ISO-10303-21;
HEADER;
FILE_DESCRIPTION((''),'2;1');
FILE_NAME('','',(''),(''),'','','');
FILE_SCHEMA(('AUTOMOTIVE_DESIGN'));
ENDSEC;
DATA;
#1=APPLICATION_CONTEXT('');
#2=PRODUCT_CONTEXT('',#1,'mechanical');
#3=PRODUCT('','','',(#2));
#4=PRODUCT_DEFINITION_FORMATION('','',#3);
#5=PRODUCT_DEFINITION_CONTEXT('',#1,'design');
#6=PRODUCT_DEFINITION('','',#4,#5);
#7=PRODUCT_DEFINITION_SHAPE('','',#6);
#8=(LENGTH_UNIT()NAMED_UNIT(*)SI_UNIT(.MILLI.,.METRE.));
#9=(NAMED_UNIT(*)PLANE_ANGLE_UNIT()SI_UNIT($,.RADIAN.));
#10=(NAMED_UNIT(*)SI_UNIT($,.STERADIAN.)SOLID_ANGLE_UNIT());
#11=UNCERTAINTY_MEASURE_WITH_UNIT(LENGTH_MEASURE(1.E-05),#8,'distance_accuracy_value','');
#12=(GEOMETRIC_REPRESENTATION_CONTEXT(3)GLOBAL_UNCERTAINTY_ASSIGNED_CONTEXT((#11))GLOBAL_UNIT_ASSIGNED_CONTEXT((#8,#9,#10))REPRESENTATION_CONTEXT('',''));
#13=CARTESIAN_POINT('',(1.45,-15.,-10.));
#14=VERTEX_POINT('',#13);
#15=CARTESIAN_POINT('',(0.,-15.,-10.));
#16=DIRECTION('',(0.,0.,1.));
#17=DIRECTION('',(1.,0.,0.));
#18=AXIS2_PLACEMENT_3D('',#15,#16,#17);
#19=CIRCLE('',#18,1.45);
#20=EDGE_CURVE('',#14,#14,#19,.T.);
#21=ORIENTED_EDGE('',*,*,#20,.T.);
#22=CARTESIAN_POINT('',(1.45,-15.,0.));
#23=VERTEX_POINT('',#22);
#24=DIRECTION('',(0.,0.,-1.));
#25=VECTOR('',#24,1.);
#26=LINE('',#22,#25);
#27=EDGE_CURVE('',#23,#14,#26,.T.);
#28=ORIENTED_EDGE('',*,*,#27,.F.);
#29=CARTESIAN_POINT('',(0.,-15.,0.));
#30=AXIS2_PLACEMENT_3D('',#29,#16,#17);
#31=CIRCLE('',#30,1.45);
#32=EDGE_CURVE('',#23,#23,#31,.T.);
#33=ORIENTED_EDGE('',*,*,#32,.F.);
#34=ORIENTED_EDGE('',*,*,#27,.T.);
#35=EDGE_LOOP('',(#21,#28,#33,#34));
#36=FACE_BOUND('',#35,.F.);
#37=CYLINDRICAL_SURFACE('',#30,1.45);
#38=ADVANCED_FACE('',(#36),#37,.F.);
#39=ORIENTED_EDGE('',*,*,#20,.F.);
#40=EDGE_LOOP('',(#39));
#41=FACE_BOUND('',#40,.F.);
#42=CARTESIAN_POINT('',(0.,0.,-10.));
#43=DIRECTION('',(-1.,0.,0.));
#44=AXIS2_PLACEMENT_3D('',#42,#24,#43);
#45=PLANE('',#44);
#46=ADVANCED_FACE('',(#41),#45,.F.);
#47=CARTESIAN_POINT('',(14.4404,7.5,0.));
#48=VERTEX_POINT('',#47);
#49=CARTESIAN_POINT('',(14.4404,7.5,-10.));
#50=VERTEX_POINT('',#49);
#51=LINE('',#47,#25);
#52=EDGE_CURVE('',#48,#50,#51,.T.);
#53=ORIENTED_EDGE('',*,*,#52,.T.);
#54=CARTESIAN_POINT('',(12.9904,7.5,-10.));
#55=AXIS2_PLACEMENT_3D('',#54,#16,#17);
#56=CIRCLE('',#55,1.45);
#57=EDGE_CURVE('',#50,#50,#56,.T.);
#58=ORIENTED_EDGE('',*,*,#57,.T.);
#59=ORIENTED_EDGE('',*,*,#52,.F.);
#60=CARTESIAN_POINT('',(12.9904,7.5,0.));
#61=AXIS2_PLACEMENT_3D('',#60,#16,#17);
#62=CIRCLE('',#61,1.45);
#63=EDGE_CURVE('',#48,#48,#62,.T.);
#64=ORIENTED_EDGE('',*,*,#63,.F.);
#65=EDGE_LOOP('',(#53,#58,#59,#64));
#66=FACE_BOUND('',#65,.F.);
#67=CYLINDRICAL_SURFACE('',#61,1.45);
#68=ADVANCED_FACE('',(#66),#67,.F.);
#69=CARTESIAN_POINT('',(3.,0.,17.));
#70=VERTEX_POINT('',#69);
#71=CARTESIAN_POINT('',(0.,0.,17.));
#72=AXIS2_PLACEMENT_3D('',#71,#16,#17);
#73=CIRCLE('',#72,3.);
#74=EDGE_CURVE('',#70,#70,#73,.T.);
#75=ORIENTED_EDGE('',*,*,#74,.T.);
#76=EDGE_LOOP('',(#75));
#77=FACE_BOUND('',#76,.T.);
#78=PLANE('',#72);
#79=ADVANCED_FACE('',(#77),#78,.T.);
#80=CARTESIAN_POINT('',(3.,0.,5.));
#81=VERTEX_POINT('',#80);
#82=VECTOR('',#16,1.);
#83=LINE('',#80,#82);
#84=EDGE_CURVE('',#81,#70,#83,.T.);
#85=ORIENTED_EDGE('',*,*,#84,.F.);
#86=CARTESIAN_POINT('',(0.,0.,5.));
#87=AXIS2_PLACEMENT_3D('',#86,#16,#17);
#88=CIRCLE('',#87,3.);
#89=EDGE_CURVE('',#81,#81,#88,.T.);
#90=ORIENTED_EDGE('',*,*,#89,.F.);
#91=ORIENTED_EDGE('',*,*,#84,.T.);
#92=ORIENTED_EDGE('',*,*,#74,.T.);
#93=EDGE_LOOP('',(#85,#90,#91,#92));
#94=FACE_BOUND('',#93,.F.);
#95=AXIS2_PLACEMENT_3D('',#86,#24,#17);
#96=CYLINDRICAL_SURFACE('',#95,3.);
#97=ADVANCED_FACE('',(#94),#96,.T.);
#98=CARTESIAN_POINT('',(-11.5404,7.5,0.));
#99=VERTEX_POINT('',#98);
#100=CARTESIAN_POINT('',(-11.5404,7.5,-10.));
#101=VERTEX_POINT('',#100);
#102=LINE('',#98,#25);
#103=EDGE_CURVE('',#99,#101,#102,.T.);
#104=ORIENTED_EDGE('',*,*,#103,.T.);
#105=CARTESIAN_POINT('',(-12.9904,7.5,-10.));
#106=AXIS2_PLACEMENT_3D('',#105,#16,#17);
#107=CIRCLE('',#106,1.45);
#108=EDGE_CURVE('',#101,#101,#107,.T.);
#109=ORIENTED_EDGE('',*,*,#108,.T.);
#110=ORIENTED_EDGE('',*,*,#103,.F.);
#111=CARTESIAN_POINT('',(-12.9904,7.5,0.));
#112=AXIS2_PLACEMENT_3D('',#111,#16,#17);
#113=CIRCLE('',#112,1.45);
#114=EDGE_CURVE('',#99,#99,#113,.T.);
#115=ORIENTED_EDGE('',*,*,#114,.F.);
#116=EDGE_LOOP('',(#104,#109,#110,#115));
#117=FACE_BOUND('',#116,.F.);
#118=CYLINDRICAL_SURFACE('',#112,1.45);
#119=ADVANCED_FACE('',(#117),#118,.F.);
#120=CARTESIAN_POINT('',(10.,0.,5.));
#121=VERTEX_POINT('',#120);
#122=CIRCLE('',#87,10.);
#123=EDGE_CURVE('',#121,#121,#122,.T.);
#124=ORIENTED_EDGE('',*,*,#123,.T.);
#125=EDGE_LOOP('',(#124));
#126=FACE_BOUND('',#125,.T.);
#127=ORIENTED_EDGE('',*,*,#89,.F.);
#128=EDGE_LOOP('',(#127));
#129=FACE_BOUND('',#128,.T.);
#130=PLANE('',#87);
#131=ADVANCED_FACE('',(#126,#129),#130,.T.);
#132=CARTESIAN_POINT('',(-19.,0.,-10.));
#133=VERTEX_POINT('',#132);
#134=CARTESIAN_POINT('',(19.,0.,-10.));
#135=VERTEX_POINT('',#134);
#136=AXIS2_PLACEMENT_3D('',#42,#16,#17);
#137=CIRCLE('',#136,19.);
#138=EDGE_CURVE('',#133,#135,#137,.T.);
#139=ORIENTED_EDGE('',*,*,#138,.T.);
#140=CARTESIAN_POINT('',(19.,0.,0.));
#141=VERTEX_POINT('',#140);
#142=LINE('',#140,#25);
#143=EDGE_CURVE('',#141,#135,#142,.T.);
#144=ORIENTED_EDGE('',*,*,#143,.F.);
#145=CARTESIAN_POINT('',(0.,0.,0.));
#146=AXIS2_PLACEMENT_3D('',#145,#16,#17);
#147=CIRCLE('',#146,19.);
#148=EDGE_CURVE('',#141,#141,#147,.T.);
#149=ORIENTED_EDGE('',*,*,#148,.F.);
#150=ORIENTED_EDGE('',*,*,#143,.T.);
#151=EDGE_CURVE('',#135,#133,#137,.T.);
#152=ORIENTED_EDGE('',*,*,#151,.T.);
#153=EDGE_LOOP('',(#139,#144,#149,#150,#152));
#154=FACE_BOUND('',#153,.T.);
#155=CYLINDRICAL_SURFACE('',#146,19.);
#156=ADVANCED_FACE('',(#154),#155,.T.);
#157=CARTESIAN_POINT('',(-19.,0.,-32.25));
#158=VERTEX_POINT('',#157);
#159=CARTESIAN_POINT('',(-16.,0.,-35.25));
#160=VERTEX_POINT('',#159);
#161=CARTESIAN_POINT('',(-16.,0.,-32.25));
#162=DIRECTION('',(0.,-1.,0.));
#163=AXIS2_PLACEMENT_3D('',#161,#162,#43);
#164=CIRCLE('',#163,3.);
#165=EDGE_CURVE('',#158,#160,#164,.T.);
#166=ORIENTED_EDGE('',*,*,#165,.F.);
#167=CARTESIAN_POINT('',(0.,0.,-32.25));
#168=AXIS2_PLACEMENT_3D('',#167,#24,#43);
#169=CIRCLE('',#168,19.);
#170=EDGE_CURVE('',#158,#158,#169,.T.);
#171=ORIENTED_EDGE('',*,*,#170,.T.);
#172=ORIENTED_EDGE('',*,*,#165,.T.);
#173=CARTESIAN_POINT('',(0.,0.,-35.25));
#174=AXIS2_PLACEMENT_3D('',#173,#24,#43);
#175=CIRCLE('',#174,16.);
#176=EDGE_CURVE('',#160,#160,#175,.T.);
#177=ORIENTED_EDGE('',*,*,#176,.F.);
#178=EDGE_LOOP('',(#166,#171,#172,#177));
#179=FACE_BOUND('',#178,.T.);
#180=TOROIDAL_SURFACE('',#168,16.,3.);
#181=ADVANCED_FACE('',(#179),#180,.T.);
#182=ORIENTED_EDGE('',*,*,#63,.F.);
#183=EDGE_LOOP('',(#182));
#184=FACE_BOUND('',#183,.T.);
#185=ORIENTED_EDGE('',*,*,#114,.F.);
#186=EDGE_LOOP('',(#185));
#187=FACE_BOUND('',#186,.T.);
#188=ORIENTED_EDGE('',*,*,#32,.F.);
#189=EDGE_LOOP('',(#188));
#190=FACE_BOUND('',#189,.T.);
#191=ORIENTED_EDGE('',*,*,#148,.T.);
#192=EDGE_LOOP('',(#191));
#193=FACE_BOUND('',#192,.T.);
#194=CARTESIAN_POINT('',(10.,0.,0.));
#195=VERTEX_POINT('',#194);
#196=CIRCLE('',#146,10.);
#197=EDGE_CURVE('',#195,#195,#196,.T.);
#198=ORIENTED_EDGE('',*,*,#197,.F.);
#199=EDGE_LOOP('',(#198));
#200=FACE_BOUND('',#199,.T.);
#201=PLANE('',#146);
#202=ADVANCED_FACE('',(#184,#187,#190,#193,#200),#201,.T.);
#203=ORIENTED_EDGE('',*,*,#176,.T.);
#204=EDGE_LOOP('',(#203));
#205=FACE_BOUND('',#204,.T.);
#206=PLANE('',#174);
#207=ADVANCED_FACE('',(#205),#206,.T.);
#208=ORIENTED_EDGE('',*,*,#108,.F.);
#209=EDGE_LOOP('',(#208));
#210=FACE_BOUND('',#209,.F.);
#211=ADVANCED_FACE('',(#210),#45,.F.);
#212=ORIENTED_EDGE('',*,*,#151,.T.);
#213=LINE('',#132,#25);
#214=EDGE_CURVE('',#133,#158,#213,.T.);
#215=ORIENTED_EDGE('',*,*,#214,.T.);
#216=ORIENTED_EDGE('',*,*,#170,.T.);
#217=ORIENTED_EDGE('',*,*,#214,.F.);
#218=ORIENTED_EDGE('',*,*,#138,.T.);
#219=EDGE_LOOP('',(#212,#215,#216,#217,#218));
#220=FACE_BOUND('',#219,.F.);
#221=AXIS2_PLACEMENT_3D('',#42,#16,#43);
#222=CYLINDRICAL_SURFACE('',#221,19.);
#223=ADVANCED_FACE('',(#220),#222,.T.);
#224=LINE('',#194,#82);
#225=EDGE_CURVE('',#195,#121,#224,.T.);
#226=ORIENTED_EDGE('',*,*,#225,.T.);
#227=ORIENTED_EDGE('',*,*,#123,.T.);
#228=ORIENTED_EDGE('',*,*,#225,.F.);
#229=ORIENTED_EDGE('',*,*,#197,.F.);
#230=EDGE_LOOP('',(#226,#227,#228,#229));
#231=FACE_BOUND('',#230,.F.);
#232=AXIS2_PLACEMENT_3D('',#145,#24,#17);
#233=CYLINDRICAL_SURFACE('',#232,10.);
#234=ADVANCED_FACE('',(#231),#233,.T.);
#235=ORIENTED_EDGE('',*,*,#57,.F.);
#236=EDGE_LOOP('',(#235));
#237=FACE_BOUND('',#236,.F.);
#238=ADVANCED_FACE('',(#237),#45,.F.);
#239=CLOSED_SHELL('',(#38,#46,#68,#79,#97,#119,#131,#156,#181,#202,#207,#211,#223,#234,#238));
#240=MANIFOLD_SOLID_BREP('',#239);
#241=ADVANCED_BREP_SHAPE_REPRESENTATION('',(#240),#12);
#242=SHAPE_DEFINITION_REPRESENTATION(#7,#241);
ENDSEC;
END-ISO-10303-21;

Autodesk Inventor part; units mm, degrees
ref_plane "YZ Plane" through (0, 0, 0) normal (1, 0, 0) x (0, 1, 0)
ref_plane "XZ Plane" through (0, 0, 0) normal (0, 1, 0) x (-1, 0, 0)
ref_plane "XY Plane" through (0, 0, 0) normal (0, 0, 1) x (1, 0, 0)
sketch "Sketch1" plane through (0, 0, 0) normal (0, 0, 1) x (1, 0, 0)
  circle A0 centre (0, 0) radius 15 construction
  line L0 (0, 0) -> (-12.9904, 7.5) construction
  line L1 (0, 0) -> (12.9904, 7.5) construction
  line L2 (0, 0) -> (0, -15) construction
  circle A1 centre (-12.9904, 7.5) radius 1.45
  circle A2 centre (12.9904, 7.5) radius 1.45
  circle A3 centre (0, -15) radius 1.45
  circle A4 centre (0, 0) radius 3 construction
  circle A5 centre (0, 0) radius 19
  dimension "d0" = 120
  dimension "d1" = 120
  dimension "d2" = 120
  dimension "d3" = 2.9
  dimension "d4" = 6
  dimension "d5" = 15
  dimension "d6" = 30
  dimension "d7" = 38
extrude "Extrusion1" add sketch "Sketch1" against normal blind 10
sketch "Sketch2" plane through (0, 0, -10) normal (0, 0, -1) x (-1, 0, 0)
  circle A0 centre (0, 0) radius 19 projected
extrude "Extrusion2" add sketch "Sketch2" along normal blind 25.25
fillet "Fillet1" radius 3 1 edges at (19, 0, -35.25)
sketch "Sketch3" plane through (0, 0, 0) normal (0, 0, 1) x (1, 0, 0)
  circle A0 centre (0, 0) radius 19 projected
  circle A1 centre (0, 0) radius 10
  dimension "d13" = 20
extrude "Extrusion3" add sketch "Sketch3" along normal blind 5 contours A1
sketch "Sketch4" plane through (0, 0, 5) normal (0, 0, 1) x (1, 0, 0)
  circle A0 centre (0, 0) radius 10 projected
  circle A1 centre (0, 0) radius 3
  dimension "d16" = 6
extrude "Extrusion4" add sketch "Sketch4" along normal blind 12 contours A1
equation "\"d1\" = d0"
properties part number "rotary encoder"
